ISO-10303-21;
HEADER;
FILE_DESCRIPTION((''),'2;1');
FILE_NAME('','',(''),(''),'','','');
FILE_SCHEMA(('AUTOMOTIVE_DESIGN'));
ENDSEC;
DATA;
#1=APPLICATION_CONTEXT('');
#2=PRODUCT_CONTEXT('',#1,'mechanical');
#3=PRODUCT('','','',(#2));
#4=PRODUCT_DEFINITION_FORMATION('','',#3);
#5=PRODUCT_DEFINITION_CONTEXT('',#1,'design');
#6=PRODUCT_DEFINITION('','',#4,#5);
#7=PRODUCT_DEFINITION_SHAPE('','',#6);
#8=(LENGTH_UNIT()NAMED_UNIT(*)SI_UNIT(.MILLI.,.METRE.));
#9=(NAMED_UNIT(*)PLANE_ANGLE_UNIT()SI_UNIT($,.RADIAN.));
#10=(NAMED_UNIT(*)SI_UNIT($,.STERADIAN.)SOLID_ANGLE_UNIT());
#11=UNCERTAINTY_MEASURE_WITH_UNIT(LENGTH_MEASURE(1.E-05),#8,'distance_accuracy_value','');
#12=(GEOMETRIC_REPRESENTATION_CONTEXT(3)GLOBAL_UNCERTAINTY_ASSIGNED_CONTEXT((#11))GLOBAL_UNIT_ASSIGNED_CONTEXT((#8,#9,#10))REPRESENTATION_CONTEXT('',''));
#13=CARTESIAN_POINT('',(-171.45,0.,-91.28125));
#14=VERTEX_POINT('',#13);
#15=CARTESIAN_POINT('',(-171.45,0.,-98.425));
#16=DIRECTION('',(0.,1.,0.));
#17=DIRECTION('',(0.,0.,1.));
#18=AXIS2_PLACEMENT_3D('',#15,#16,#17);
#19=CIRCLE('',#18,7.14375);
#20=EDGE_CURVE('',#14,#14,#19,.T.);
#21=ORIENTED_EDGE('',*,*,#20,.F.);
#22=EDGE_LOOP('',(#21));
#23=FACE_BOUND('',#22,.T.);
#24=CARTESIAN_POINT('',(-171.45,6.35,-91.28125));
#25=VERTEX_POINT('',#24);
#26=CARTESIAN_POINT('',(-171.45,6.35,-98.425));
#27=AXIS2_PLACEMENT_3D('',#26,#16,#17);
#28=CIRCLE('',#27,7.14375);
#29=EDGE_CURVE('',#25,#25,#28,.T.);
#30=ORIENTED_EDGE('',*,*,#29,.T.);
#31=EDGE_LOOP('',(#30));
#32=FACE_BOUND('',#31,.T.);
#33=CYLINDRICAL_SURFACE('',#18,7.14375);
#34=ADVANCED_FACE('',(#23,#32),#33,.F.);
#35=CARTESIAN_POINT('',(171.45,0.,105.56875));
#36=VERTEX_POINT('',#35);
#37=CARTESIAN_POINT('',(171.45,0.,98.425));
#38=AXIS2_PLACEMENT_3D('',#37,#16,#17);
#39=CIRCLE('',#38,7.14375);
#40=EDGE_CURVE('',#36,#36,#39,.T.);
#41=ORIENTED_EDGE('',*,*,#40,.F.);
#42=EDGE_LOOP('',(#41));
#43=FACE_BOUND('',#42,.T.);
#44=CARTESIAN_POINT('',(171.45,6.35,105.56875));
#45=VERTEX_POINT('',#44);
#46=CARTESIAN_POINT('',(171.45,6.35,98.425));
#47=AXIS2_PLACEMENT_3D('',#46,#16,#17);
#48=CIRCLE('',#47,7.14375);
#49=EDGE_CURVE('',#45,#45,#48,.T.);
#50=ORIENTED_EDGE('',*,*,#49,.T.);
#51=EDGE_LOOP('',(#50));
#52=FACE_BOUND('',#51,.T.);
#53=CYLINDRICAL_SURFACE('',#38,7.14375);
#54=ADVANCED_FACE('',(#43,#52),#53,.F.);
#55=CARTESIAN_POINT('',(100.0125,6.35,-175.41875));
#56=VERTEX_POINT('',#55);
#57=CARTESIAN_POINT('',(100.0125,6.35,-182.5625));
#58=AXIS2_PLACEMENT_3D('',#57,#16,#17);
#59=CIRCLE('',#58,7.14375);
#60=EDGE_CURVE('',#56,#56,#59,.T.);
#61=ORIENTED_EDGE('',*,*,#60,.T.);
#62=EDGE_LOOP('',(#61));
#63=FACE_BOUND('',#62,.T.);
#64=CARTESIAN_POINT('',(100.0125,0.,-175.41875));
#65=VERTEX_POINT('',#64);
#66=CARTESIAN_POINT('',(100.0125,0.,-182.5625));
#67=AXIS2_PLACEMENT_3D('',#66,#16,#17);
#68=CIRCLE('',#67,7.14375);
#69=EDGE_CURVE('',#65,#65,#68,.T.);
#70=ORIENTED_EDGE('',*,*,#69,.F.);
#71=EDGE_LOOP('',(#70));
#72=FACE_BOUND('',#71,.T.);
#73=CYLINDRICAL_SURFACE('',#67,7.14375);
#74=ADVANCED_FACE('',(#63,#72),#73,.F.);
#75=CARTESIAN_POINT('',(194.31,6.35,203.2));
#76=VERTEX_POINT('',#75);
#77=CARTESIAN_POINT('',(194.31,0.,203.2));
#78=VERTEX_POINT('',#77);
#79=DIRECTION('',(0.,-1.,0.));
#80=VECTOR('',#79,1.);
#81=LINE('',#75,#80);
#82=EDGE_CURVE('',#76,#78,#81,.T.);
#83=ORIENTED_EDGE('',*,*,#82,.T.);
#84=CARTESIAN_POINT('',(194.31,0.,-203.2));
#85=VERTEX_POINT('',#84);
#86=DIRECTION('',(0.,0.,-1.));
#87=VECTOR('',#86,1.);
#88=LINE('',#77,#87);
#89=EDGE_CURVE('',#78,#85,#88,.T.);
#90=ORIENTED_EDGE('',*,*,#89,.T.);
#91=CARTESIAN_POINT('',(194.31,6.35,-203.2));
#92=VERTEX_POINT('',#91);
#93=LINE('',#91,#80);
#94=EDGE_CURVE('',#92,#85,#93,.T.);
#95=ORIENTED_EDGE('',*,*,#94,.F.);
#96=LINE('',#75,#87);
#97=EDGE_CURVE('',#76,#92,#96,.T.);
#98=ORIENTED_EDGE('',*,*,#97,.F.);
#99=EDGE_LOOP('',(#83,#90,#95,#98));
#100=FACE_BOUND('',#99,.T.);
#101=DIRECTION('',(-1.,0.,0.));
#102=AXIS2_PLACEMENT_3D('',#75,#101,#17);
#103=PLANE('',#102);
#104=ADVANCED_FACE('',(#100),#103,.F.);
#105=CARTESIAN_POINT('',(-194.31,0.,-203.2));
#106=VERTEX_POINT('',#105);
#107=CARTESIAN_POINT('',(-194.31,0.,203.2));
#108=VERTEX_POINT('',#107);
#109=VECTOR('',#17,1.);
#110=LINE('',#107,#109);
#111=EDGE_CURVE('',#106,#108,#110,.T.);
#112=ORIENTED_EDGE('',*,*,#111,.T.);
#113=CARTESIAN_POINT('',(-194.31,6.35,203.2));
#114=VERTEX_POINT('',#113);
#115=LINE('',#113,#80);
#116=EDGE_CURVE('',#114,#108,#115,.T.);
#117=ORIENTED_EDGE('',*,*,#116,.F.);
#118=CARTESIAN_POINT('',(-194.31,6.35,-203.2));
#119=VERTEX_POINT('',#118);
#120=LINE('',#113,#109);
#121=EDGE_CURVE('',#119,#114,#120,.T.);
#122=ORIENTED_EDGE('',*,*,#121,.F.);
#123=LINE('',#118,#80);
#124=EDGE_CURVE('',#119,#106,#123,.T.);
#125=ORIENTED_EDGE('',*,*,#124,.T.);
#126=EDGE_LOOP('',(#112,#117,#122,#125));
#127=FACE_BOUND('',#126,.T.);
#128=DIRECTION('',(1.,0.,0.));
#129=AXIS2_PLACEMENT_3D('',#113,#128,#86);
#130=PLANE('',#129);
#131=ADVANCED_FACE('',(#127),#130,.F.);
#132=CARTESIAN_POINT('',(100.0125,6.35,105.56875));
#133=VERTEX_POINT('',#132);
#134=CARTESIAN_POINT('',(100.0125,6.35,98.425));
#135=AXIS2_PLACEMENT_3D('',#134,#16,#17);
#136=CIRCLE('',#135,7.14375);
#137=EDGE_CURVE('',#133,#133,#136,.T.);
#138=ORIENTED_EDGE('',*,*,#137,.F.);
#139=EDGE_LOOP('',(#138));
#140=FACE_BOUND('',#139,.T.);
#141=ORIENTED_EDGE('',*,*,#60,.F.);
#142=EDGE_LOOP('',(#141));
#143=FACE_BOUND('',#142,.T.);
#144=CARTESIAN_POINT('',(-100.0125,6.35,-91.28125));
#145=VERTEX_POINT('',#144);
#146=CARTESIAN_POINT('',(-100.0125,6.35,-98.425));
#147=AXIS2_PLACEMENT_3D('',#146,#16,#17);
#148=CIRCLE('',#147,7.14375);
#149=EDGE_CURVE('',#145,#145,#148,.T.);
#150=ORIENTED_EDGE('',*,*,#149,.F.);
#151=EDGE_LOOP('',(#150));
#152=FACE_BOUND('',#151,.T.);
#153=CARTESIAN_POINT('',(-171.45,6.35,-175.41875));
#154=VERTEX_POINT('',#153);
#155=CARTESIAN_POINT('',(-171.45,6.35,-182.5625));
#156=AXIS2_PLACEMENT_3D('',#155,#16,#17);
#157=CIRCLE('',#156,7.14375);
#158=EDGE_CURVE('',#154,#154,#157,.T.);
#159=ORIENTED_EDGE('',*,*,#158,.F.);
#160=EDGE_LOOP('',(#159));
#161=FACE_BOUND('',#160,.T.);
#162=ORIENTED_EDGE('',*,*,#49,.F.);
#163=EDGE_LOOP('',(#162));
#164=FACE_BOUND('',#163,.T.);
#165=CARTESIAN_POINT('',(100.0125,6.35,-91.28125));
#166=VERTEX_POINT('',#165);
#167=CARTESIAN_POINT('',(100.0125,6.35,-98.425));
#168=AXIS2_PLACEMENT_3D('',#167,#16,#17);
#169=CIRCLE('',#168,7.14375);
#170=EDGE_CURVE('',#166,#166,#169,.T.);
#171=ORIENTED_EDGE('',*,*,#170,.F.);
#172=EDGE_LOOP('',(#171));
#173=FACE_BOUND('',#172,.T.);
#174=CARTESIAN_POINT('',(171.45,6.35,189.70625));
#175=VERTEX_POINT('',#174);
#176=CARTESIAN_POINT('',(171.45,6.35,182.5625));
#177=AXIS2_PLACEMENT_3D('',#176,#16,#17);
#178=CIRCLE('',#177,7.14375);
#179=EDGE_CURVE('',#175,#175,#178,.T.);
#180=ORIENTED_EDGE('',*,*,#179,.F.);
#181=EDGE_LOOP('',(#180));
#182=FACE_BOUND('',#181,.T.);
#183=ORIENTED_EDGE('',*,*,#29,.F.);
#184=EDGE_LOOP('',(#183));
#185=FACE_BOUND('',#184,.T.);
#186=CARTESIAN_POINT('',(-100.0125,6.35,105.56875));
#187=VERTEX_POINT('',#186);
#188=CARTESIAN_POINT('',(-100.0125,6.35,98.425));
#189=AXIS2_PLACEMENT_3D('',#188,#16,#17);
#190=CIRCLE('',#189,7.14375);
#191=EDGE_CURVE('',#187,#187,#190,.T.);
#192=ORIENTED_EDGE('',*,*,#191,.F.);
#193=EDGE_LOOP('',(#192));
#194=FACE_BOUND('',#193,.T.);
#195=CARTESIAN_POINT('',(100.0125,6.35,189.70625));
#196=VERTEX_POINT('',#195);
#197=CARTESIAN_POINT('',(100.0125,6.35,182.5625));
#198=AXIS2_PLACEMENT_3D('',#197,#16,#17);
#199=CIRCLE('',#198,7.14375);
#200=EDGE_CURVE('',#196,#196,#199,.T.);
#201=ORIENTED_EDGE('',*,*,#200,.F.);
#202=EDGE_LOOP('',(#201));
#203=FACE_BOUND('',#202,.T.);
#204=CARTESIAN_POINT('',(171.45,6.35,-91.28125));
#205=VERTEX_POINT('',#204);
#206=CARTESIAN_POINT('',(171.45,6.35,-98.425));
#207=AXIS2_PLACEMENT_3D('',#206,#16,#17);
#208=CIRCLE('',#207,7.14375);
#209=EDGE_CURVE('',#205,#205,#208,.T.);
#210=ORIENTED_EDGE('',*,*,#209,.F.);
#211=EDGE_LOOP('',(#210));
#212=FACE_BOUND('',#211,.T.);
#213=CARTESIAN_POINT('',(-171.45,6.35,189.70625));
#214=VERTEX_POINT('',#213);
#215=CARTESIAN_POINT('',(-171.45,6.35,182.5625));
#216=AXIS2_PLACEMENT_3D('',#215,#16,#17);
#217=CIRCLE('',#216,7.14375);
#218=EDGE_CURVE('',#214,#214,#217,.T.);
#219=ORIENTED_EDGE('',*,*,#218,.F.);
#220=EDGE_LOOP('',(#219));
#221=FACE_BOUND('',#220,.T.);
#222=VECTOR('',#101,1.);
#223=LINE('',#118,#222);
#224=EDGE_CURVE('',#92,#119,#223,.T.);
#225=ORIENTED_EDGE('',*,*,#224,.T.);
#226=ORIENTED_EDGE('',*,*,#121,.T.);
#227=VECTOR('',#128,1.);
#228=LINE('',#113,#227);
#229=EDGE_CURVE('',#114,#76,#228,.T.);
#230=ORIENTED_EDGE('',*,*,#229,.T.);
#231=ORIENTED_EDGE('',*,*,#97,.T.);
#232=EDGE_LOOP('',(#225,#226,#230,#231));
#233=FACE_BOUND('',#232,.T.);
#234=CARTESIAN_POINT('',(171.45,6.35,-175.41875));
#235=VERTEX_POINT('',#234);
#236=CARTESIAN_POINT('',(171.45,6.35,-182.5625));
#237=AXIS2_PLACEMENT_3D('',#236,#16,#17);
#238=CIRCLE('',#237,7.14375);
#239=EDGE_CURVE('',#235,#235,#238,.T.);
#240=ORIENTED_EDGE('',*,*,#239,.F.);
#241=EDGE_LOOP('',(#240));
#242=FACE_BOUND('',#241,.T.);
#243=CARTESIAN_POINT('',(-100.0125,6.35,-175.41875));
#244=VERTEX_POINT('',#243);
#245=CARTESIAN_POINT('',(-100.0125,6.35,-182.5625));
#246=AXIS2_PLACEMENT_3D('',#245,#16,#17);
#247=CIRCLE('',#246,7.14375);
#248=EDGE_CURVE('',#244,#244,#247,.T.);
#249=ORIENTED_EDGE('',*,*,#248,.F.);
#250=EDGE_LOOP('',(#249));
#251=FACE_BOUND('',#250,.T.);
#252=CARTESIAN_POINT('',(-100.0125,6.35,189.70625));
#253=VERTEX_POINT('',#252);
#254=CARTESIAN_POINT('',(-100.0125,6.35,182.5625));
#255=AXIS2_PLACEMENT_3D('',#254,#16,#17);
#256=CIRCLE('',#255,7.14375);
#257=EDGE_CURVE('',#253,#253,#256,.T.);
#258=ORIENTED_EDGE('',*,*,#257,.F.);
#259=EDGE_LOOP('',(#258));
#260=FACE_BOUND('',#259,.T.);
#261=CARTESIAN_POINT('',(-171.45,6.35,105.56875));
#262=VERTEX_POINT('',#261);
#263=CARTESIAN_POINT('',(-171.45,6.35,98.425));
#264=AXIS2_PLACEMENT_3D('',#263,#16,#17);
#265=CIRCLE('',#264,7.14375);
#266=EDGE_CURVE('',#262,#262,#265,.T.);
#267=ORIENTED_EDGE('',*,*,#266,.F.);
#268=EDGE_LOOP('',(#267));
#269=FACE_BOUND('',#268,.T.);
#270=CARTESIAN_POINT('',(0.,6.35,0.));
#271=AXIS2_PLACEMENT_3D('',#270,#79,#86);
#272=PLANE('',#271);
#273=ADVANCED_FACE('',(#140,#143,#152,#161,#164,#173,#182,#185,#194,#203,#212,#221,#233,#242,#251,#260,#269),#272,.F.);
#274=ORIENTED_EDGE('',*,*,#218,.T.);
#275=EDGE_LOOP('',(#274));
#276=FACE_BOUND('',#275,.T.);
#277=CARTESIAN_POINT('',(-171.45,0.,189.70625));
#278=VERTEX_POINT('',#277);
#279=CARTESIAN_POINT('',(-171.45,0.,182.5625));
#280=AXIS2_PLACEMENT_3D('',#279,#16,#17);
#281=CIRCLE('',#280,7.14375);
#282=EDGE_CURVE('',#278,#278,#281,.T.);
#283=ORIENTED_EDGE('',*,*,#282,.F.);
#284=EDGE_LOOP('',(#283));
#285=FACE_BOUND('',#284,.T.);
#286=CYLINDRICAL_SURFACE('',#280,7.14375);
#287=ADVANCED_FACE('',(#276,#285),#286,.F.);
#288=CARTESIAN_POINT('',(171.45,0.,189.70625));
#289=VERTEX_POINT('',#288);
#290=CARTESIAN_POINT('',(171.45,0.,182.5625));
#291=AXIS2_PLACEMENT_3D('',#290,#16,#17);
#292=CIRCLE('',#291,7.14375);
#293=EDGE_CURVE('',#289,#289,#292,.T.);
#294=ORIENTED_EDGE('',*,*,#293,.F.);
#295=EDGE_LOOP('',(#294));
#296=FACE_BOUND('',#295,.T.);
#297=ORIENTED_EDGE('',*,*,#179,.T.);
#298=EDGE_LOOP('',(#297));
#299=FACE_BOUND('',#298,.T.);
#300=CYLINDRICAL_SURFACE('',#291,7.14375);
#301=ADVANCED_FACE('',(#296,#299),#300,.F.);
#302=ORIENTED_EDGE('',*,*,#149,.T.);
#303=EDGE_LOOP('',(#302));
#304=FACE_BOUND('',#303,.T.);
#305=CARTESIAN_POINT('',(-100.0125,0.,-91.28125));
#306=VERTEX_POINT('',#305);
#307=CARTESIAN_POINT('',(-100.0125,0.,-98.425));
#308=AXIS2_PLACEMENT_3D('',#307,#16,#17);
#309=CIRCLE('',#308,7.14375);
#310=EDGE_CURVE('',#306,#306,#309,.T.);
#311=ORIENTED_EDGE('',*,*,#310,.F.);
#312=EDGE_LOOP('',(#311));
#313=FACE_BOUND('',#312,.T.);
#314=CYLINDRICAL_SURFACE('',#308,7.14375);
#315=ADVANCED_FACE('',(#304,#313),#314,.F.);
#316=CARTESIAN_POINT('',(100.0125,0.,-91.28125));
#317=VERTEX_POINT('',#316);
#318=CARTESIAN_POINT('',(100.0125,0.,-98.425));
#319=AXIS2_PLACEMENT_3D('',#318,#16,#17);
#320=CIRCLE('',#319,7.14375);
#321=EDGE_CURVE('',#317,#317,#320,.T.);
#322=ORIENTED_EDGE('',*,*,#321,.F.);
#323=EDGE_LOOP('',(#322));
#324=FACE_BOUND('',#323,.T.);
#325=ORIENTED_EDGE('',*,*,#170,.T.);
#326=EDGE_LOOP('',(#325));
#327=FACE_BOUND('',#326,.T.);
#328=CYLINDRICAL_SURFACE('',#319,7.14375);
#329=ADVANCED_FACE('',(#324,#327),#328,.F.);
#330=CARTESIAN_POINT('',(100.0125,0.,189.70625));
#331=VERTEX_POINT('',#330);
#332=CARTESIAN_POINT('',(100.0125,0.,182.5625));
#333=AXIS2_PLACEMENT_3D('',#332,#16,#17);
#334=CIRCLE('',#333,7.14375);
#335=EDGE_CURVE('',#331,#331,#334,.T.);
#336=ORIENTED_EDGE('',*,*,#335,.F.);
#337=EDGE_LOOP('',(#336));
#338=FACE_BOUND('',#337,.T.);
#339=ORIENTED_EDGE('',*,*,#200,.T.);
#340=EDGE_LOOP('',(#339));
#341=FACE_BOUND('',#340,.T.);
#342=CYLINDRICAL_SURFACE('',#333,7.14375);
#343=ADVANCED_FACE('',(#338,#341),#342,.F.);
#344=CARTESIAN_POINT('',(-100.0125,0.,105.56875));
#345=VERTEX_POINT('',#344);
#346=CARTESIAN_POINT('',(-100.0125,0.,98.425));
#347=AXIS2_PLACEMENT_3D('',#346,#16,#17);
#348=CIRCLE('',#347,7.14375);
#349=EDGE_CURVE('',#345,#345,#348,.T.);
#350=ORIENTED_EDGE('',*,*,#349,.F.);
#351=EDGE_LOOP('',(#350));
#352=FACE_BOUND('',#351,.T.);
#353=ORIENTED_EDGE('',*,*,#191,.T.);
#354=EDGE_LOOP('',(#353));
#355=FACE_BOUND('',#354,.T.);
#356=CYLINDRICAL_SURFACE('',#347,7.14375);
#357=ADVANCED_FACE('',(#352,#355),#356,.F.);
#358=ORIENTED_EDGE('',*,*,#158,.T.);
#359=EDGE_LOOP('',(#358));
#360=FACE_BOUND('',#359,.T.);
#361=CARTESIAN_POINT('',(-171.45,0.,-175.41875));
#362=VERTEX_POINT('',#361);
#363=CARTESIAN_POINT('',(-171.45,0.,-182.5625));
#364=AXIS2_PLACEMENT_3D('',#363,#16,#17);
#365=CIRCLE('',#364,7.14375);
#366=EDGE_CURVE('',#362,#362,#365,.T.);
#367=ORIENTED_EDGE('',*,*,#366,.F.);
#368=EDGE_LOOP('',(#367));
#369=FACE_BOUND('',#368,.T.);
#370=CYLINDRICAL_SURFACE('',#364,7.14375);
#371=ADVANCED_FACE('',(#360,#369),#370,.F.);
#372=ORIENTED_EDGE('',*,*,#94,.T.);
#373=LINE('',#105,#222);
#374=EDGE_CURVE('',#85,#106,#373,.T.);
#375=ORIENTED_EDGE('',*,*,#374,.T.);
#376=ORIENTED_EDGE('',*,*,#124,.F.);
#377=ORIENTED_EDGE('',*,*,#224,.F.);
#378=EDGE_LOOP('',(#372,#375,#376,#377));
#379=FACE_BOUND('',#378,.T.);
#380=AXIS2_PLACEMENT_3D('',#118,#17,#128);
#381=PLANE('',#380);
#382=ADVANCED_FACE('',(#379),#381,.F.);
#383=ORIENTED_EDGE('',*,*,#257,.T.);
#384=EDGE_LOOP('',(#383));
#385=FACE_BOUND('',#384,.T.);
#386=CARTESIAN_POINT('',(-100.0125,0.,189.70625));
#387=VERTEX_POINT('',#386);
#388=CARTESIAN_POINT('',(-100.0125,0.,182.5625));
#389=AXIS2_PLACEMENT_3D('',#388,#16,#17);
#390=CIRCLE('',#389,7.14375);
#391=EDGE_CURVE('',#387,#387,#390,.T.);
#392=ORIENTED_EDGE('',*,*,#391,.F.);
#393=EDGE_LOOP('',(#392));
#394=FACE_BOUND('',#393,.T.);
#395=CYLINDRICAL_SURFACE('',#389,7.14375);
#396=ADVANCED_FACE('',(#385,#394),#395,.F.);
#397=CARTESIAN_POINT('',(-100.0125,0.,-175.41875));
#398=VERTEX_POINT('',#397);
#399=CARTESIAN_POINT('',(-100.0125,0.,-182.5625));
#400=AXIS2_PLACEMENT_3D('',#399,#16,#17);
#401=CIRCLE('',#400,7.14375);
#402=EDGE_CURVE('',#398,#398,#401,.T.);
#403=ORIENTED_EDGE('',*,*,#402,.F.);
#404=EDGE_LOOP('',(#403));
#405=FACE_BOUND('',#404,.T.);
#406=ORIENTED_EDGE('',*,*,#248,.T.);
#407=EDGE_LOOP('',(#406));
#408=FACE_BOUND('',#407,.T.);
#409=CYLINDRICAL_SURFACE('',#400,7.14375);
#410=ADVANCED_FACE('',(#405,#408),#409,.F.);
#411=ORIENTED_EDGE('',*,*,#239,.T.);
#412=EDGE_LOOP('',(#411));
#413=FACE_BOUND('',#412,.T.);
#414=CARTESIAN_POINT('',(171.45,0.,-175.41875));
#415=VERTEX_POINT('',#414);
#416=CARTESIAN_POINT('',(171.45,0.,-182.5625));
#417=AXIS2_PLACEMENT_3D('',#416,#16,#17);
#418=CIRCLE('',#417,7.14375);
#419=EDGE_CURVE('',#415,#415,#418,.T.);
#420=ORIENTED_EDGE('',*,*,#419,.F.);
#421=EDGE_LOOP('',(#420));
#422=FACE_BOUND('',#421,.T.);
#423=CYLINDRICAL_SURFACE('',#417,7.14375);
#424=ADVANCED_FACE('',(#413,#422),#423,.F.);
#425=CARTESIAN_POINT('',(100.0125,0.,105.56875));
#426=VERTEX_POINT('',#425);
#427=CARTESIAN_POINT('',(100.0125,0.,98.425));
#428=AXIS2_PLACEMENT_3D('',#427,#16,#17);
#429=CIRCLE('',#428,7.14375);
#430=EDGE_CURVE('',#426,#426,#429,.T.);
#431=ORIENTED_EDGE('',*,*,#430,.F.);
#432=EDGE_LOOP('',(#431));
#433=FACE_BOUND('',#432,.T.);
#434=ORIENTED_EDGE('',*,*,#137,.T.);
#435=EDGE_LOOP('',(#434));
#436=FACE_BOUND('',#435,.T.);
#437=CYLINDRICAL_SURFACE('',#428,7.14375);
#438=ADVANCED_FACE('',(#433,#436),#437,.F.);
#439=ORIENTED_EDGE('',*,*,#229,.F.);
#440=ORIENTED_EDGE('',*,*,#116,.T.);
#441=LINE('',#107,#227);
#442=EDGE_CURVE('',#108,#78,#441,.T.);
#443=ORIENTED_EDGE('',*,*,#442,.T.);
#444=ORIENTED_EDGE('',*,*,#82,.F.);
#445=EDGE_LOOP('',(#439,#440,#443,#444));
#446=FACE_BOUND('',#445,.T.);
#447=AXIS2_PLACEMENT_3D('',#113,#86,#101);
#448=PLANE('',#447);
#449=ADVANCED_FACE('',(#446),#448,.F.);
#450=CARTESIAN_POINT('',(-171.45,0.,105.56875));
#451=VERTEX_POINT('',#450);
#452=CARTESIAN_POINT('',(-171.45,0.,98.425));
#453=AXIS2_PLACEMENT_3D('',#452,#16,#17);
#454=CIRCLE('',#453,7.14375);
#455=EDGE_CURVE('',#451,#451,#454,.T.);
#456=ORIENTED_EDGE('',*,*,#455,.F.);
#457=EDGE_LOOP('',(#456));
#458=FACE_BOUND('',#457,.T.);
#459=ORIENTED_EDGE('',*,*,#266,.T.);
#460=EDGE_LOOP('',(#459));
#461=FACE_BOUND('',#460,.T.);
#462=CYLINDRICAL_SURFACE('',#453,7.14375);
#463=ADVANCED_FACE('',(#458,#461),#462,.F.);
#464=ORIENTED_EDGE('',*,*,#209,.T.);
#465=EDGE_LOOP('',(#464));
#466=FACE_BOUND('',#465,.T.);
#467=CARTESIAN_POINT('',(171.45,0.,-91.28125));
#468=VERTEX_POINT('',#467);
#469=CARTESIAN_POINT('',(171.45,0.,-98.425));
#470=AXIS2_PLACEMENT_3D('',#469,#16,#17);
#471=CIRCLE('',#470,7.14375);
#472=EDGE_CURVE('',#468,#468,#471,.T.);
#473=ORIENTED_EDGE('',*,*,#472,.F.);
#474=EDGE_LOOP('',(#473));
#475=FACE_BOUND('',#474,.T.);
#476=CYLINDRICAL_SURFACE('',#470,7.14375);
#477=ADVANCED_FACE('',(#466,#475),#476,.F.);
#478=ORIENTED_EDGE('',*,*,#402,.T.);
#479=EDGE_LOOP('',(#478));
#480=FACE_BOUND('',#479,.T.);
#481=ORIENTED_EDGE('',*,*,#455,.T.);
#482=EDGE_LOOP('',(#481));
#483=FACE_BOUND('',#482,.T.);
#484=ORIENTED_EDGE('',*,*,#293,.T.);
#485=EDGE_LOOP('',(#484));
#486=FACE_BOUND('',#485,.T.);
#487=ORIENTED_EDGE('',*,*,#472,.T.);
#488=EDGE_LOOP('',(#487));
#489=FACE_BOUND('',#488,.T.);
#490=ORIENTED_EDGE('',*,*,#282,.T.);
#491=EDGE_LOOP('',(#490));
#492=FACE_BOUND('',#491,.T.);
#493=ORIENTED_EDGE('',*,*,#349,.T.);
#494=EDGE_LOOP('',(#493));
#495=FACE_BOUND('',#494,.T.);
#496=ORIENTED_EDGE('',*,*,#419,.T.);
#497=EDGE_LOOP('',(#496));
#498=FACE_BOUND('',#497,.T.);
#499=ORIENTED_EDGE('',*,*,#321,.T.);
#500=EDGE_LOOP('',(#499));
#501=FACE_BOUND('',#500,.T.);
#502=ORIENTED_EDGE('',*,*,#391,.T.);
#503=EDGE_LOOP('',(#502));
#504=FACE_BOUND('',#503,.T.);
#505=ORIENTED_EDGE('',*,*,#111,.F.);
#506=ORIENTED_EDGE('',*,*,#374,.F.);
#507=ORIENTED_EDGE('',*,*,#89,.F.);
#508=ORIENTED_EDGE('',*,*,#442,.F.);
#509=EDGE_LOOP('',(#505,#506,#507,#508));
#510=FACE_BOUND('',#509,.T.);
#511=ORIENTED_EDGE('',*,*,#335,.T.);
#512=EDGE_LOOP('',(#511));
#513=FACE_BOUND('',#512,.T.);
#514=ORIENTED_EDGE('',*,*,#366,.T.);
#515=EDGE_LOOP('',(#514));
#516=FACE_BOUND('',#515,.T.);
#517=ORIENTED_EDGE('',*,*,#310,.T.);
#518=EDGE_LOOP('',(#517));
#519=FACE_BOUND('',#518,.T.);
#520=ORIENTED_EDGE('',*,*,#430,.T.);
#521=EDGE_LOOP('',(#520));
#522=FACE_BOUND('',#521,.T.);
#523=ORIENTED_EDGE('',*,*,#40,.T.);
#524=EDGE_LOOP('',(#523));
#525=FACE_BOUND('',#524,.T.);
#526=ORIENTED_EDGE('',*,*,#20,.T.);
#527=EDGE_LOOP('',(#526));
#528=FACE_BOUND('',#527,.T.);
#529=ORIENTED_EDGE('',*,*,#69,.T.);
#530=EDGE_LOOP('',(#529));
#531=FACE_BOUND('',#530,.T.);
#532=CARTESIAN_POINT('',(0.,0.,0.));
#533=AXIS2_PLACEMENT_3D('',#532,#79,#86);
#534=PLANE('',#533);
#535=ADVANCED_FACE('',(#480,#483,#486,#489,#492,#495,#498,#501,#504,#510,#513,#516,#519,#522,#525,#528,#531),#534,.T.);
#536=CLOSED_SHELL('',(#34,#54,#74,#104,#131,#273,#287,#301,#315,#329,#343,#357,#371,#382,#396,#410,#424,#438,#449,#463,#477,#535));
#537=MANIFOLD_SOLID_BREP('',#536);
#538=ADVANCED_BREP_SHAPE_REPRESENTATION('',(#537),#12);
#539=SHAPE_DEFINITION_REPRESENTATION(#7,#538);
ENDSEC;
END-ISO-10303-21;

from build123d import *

# Parameters (mm, degrees)
SKETCH2_W           = 388.62
SKETCH2_H           = 406.4
BOSS_EXTRUDE1_DEPTH = 6.35
SKETCH3_R           = 7.14375
CUT_EXTRUDE1_DEPTH  = 282.224000754


with BuildPart() as part:
    # Sketch2 → Boss-Extrude1 (new body)
    with BuildSketch(Plane(origin=(0, 0, 0), x_dir=(1, 0, 0), z_dir=(0, 1, 0))):
        Rectangle(SKETCH2_W, SKETCH2_H)
    extrude(amount=BOSS_EXTRUDE1_DEPTH)

    # Sketch3 → Cut-Extrude1 (cut, through all)
    with BuildSketch(Plane(origin=(0, 6.35, 0), x_dir=(1, 0, 0), z_dir=(0, 1, 0))):
        with Locations(Location((-171.45, -182.5625, 0), (0, 0, 270))):
            Circle(SKETCH3_R)
        with Locations(Location((-100.0125, 182.5625, 0), (0, 0, 270))):
            Circle(SKETCH3_R)
        with Locations(Location((100.0125, -182.5625, 0), (0, 0, 270))):
            Circle(SKETCH3_R)
        with Locations(Location((171.45, -182.5625, 0), (0, 0, 270))):
            Circle(SKETCH3_R)
        with Locations(Location((-171.45, 182.5625, 0), (0, 0, 270))):
            Circle(SKETCH3_R)
        with Locations(Location((-171.45, 98.425, 0), (0, 0, 270))):
            Circle(SKETCH3_R)
        with Locations(Location((100.0125, 182.5625, 0), (0, 0, 270))):
            Circle(SKETCH3_R)
        with Locations(Location((171.45, 182.5625, 0), (0, 0, 270))):
            Circle(SKETCH3_R)
        with Locations(Location((-100.0125, -182.5625, 0), (0, 0, 270))):
            Circle(SKETCH3_R)
        with Locations(Location((-171.45, -98.425, 0), (0, 0, 270))):
            Circle(SKETCH3_R)
        with Locations(Location((-100.0125, -98.425, 0), (0, 0, 270))):
            Circle(SKETCH3_R)
        with Locations(Location((-100.0125, 98.425, 0), (0, 0, 270))):
            Circle(SKETCH3_R)
        with Locations(Location((100.0125, 98.425, 0), (0, 0, 270))):
            Circle(SKETCH3_R)
        with Locations(Location((171.45, 98.425, 0), (0, 0, 270))):
            Circle(SKETCH3_R)
        with Locations(Location((100.0125, -98.425, 0), (0, 0, 270))):
            Circle(SKETCH3_R)
        with Locations(Location((171.45, -98.425, 0), (0, 0, 270))):
            Circle(SKETCH3_R)
    extrude(amount=-CUT_EXTRUDE1_DEPTH, mode=Mode.SUBTRACT)


solid = part.part
